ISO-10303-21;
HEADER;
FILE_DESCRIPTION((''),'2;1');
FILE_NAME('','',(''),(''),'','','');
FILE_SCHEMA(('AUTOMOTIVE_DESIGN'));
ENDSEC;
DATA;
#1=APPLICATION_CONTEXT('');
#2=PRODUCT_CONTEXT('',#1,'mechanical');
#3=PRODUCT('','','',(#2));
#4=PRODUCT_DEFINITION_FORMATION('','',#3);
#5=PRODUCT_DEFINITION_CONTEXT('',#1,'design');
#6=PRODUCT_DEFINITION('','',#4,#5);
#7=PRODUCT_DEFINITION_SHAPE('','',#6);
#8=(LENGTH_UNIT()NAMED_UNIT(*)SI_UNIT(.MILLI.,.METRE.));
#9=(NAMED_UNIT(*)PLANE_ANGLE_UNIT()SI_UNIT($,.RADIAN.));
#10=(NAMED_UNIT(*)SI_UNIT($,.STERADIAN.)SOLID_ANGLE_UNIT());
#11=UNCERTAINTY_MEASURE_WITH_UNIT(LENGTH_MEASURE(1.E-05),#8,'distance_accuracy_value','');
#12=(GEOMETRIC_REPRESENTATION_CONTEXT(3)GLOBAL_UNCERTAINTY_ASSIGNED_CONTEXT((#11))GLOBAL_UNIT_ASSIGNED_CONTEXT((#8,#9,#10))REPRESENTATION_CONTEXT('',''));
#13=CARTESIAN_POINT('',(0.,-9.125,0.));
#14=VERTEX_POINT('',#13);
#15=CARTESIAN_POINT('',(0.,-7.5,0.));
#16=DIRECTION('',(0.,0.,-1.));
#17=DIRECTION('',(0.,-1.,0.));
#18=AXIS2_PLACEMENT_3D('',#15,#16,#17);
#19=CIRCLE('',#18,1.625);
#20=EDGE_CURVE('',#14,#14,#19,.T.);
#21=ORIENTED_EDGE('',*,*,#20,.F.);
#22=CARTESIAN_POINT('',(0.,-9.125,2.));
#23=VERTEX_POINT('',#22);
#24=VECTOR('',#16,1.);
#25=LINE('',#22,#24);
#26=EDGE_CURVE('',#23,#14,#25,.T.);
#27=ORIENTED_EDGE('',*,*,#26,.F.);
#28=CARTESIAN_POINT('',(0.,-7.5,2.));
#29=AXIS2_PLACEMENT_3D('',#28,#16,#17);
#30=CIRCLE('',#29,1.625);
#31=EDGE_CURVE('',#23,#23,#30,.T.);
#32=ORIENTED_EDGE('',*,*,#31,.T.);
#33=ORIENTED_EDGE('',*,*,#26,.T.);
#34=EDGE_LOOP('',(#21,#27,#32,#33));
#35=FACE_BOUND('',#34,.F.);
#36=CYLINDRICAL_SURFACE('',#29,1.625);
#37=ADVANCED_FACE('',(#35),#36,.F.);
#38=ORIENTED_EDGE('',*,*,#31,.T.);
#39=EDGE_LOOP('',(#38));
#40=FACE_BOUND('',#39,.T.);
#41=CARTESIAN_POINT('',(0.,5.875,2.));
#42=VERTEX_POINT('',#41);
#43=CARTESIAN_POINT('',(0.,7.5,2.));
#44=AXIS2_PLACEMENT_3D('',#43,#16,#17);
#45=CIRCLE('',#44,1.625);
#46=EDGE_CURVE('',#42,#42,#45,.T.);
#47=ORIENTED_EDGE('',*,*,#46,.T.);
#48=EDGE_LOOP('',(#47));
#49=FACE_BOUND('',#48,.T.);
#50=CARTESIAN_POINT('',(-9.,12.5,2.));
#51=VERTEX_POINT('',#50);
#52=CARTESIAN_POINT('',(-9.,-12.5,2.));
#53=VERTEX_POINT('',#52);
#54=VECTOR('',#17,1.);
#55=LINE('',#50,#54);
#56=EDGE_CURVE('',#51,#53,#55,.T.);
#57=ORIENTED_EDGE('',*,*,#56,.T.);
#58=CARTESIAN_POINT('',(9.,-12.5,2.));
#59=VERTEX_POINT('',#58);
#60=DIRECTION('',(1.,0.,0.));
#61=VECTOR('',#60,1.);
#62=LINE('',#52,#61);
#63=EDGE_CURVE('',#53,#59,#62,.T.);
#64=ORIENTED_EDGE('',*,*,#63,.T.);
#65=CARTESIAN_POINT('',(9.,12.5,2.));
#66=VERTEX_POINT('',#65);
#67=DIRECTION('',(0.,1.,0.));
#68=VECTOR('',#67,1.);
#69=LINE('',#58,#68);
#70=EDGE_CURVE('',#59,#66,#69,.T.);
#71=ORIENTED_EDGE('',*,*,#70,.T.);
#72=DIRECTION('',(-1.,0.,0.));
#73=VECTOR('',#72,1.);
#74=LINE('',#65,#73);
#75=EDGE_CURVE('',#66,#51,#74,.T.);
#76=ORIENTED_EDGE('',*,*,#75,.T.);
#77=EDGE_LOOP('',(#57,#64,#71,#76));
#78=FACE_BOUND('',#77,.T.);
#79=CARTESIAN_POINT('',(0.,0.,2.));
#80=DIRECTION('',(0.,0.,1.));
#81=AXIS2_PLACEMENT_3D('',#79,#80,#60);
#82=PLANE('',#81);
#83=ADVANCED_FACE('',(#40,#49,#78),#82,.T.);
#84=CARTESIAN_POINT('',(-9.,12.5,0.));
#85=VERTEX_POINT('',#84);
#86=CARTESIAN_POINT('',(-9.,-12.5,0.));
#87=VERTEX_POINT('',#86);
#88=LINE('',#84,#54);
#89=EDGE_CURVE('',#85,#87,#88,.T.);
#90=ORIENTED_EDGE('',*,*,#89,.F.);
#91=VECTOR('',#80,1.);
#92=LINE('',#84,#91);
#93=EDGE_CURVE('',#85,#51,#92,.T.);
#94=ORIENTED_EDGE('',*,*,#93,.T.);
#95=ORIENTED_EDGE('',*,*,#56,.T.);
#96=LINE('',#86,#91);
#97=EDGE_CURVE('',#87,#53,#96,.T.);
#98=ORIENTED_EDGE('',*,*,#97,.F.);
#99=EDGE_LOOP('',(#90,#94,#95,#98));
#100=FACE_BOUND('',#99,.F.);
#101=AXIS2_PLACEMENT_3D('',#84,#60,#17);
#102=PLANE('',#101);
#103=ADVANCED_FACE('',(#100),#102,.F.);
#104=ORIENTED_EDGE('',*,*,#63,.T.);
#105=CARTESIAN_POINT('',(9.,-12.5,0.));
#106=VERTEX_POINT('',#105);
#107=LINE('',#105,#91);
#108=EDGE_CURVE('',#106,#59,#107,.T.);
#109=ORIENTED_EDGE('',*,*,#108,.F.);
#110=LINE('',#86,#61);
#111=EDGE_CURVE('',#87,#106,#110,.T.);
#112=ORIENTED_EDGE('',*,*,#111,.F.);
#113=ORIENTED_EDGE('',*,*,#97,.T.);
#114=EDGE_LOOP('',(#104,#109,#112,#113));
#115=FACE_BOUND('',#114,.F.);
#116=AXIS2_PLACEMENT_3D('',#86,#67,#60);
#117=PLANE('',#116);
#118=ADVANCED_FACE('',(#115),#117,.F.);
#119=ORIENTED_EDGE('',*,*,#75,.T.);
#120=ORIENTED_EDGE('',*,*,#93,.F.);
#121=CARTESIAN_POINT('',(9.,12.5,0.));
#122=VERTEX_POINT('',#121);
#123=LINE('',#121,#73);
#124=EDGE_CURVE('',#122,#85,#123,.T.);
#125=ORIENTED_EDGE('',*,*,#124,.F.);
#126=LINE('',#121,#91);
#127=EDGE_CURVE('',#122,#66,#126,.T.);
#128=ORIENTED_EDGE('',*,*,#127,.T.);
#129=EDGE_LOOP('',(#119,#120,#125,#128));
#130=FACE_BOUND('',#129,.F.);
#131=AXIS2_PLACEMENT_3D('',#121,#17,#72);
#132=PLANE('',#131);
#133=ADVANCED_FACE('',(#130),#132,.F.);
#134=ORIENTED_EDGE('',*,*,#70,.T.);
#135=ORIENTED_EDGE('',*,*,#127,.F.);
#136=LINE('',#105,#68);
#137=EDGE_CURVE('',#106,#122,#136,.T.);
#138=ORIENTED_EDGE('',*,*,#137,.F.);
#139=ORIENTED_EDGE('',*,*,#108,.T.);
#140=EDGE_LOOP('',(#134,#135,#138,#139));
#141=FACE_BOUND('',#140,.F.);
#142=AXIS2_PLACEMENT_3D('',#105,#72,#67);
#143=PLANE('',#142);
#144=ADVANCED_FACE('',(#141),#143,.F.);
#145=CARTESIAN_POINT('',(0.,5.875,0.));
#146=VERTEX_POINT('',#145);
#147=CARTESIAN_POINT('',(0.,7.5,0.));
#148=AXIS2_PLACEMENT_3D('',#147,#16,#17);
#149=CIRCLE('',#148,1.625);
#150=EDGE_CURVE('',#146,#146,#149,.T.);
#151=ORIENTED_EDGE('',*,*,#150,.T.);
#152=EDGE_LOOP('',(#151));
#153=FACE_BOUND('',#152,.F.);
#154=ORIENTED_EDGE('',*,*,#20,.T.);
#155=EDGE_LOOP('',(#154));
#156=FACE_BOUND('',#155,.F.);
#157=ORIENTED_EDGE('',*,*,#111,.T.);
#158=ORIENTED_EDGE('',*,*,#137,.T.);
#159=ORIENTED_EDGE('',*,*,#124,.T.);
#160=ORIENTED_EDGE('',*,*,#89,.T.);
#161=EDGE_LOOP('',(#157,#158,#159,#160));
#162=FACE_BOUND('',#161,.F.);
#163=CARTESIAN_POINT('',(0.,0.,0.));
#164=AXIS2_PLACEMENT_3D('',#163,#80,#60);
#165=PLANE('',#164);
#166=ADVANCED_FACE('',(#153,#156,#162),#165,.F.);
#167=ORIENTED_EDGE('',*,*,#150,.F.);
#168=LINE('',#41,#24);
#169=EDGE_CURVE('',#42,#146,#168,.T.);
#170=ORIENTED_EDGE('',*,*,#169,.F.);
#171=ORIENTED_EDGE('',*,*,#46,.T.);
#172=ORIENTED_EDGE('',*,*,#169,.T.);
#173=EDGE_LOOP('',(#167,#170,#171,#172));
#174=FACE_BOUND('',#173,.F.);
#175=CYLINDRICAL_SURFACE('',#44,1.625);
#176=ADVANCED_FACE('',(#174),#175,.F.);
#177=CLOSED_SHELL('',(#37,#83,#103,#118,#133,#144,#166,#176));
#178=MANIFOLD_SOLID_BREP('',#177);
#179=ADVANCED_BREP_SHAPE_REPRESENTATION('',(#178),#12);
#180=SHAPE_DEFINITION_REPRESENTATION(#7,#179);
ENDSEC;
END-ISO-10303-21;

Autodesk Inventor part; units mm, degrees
ref_plane "YZ Plane" through (0, 0, 0) normal (1, 0, 0) x (0, 1, 0)
ref_plane "XZ Plane" through (0, 0, 0) normal (0, 1, 0) x (-1, 0, 0)
ref_plane "XY Plane" through (0, 0, 0) normal (0, 0, 1) x (1, 0, 0)
sketch "Sketch1" plane through (0, 0, 0) normal (0, 0, 1) x (1, 0, 0)
  line L0 (-9, -12.5) -> (9, -12.5)
  line L1 (9, -12.5) -> (9, 12.5)
  line L2 (9, 12.5) -> (-9, 12.5)
  line L3 (-9, 12.5) -> (-9, -12.5)
extrude "Extrusion1" add sketch "Sketch1" along normal blind 2
sketch "Sketch4" plane through (0, 0, 2) normal (0, 0, 1) x (1, 0, 0)
  circle A0 centre (0, 7.5) radius 1.625
  circle A1 centre (0, -7.5) radius 1.625
  point P0 (0, 0)
  dimension "d4" = 3.25
hole "Hole1" at (0, -7.5, 2) at (0, 7.5, 2) direction (0, 0, -1) diameter 3.25 end through all
properties part number "CONNECTOR_PLATE"
